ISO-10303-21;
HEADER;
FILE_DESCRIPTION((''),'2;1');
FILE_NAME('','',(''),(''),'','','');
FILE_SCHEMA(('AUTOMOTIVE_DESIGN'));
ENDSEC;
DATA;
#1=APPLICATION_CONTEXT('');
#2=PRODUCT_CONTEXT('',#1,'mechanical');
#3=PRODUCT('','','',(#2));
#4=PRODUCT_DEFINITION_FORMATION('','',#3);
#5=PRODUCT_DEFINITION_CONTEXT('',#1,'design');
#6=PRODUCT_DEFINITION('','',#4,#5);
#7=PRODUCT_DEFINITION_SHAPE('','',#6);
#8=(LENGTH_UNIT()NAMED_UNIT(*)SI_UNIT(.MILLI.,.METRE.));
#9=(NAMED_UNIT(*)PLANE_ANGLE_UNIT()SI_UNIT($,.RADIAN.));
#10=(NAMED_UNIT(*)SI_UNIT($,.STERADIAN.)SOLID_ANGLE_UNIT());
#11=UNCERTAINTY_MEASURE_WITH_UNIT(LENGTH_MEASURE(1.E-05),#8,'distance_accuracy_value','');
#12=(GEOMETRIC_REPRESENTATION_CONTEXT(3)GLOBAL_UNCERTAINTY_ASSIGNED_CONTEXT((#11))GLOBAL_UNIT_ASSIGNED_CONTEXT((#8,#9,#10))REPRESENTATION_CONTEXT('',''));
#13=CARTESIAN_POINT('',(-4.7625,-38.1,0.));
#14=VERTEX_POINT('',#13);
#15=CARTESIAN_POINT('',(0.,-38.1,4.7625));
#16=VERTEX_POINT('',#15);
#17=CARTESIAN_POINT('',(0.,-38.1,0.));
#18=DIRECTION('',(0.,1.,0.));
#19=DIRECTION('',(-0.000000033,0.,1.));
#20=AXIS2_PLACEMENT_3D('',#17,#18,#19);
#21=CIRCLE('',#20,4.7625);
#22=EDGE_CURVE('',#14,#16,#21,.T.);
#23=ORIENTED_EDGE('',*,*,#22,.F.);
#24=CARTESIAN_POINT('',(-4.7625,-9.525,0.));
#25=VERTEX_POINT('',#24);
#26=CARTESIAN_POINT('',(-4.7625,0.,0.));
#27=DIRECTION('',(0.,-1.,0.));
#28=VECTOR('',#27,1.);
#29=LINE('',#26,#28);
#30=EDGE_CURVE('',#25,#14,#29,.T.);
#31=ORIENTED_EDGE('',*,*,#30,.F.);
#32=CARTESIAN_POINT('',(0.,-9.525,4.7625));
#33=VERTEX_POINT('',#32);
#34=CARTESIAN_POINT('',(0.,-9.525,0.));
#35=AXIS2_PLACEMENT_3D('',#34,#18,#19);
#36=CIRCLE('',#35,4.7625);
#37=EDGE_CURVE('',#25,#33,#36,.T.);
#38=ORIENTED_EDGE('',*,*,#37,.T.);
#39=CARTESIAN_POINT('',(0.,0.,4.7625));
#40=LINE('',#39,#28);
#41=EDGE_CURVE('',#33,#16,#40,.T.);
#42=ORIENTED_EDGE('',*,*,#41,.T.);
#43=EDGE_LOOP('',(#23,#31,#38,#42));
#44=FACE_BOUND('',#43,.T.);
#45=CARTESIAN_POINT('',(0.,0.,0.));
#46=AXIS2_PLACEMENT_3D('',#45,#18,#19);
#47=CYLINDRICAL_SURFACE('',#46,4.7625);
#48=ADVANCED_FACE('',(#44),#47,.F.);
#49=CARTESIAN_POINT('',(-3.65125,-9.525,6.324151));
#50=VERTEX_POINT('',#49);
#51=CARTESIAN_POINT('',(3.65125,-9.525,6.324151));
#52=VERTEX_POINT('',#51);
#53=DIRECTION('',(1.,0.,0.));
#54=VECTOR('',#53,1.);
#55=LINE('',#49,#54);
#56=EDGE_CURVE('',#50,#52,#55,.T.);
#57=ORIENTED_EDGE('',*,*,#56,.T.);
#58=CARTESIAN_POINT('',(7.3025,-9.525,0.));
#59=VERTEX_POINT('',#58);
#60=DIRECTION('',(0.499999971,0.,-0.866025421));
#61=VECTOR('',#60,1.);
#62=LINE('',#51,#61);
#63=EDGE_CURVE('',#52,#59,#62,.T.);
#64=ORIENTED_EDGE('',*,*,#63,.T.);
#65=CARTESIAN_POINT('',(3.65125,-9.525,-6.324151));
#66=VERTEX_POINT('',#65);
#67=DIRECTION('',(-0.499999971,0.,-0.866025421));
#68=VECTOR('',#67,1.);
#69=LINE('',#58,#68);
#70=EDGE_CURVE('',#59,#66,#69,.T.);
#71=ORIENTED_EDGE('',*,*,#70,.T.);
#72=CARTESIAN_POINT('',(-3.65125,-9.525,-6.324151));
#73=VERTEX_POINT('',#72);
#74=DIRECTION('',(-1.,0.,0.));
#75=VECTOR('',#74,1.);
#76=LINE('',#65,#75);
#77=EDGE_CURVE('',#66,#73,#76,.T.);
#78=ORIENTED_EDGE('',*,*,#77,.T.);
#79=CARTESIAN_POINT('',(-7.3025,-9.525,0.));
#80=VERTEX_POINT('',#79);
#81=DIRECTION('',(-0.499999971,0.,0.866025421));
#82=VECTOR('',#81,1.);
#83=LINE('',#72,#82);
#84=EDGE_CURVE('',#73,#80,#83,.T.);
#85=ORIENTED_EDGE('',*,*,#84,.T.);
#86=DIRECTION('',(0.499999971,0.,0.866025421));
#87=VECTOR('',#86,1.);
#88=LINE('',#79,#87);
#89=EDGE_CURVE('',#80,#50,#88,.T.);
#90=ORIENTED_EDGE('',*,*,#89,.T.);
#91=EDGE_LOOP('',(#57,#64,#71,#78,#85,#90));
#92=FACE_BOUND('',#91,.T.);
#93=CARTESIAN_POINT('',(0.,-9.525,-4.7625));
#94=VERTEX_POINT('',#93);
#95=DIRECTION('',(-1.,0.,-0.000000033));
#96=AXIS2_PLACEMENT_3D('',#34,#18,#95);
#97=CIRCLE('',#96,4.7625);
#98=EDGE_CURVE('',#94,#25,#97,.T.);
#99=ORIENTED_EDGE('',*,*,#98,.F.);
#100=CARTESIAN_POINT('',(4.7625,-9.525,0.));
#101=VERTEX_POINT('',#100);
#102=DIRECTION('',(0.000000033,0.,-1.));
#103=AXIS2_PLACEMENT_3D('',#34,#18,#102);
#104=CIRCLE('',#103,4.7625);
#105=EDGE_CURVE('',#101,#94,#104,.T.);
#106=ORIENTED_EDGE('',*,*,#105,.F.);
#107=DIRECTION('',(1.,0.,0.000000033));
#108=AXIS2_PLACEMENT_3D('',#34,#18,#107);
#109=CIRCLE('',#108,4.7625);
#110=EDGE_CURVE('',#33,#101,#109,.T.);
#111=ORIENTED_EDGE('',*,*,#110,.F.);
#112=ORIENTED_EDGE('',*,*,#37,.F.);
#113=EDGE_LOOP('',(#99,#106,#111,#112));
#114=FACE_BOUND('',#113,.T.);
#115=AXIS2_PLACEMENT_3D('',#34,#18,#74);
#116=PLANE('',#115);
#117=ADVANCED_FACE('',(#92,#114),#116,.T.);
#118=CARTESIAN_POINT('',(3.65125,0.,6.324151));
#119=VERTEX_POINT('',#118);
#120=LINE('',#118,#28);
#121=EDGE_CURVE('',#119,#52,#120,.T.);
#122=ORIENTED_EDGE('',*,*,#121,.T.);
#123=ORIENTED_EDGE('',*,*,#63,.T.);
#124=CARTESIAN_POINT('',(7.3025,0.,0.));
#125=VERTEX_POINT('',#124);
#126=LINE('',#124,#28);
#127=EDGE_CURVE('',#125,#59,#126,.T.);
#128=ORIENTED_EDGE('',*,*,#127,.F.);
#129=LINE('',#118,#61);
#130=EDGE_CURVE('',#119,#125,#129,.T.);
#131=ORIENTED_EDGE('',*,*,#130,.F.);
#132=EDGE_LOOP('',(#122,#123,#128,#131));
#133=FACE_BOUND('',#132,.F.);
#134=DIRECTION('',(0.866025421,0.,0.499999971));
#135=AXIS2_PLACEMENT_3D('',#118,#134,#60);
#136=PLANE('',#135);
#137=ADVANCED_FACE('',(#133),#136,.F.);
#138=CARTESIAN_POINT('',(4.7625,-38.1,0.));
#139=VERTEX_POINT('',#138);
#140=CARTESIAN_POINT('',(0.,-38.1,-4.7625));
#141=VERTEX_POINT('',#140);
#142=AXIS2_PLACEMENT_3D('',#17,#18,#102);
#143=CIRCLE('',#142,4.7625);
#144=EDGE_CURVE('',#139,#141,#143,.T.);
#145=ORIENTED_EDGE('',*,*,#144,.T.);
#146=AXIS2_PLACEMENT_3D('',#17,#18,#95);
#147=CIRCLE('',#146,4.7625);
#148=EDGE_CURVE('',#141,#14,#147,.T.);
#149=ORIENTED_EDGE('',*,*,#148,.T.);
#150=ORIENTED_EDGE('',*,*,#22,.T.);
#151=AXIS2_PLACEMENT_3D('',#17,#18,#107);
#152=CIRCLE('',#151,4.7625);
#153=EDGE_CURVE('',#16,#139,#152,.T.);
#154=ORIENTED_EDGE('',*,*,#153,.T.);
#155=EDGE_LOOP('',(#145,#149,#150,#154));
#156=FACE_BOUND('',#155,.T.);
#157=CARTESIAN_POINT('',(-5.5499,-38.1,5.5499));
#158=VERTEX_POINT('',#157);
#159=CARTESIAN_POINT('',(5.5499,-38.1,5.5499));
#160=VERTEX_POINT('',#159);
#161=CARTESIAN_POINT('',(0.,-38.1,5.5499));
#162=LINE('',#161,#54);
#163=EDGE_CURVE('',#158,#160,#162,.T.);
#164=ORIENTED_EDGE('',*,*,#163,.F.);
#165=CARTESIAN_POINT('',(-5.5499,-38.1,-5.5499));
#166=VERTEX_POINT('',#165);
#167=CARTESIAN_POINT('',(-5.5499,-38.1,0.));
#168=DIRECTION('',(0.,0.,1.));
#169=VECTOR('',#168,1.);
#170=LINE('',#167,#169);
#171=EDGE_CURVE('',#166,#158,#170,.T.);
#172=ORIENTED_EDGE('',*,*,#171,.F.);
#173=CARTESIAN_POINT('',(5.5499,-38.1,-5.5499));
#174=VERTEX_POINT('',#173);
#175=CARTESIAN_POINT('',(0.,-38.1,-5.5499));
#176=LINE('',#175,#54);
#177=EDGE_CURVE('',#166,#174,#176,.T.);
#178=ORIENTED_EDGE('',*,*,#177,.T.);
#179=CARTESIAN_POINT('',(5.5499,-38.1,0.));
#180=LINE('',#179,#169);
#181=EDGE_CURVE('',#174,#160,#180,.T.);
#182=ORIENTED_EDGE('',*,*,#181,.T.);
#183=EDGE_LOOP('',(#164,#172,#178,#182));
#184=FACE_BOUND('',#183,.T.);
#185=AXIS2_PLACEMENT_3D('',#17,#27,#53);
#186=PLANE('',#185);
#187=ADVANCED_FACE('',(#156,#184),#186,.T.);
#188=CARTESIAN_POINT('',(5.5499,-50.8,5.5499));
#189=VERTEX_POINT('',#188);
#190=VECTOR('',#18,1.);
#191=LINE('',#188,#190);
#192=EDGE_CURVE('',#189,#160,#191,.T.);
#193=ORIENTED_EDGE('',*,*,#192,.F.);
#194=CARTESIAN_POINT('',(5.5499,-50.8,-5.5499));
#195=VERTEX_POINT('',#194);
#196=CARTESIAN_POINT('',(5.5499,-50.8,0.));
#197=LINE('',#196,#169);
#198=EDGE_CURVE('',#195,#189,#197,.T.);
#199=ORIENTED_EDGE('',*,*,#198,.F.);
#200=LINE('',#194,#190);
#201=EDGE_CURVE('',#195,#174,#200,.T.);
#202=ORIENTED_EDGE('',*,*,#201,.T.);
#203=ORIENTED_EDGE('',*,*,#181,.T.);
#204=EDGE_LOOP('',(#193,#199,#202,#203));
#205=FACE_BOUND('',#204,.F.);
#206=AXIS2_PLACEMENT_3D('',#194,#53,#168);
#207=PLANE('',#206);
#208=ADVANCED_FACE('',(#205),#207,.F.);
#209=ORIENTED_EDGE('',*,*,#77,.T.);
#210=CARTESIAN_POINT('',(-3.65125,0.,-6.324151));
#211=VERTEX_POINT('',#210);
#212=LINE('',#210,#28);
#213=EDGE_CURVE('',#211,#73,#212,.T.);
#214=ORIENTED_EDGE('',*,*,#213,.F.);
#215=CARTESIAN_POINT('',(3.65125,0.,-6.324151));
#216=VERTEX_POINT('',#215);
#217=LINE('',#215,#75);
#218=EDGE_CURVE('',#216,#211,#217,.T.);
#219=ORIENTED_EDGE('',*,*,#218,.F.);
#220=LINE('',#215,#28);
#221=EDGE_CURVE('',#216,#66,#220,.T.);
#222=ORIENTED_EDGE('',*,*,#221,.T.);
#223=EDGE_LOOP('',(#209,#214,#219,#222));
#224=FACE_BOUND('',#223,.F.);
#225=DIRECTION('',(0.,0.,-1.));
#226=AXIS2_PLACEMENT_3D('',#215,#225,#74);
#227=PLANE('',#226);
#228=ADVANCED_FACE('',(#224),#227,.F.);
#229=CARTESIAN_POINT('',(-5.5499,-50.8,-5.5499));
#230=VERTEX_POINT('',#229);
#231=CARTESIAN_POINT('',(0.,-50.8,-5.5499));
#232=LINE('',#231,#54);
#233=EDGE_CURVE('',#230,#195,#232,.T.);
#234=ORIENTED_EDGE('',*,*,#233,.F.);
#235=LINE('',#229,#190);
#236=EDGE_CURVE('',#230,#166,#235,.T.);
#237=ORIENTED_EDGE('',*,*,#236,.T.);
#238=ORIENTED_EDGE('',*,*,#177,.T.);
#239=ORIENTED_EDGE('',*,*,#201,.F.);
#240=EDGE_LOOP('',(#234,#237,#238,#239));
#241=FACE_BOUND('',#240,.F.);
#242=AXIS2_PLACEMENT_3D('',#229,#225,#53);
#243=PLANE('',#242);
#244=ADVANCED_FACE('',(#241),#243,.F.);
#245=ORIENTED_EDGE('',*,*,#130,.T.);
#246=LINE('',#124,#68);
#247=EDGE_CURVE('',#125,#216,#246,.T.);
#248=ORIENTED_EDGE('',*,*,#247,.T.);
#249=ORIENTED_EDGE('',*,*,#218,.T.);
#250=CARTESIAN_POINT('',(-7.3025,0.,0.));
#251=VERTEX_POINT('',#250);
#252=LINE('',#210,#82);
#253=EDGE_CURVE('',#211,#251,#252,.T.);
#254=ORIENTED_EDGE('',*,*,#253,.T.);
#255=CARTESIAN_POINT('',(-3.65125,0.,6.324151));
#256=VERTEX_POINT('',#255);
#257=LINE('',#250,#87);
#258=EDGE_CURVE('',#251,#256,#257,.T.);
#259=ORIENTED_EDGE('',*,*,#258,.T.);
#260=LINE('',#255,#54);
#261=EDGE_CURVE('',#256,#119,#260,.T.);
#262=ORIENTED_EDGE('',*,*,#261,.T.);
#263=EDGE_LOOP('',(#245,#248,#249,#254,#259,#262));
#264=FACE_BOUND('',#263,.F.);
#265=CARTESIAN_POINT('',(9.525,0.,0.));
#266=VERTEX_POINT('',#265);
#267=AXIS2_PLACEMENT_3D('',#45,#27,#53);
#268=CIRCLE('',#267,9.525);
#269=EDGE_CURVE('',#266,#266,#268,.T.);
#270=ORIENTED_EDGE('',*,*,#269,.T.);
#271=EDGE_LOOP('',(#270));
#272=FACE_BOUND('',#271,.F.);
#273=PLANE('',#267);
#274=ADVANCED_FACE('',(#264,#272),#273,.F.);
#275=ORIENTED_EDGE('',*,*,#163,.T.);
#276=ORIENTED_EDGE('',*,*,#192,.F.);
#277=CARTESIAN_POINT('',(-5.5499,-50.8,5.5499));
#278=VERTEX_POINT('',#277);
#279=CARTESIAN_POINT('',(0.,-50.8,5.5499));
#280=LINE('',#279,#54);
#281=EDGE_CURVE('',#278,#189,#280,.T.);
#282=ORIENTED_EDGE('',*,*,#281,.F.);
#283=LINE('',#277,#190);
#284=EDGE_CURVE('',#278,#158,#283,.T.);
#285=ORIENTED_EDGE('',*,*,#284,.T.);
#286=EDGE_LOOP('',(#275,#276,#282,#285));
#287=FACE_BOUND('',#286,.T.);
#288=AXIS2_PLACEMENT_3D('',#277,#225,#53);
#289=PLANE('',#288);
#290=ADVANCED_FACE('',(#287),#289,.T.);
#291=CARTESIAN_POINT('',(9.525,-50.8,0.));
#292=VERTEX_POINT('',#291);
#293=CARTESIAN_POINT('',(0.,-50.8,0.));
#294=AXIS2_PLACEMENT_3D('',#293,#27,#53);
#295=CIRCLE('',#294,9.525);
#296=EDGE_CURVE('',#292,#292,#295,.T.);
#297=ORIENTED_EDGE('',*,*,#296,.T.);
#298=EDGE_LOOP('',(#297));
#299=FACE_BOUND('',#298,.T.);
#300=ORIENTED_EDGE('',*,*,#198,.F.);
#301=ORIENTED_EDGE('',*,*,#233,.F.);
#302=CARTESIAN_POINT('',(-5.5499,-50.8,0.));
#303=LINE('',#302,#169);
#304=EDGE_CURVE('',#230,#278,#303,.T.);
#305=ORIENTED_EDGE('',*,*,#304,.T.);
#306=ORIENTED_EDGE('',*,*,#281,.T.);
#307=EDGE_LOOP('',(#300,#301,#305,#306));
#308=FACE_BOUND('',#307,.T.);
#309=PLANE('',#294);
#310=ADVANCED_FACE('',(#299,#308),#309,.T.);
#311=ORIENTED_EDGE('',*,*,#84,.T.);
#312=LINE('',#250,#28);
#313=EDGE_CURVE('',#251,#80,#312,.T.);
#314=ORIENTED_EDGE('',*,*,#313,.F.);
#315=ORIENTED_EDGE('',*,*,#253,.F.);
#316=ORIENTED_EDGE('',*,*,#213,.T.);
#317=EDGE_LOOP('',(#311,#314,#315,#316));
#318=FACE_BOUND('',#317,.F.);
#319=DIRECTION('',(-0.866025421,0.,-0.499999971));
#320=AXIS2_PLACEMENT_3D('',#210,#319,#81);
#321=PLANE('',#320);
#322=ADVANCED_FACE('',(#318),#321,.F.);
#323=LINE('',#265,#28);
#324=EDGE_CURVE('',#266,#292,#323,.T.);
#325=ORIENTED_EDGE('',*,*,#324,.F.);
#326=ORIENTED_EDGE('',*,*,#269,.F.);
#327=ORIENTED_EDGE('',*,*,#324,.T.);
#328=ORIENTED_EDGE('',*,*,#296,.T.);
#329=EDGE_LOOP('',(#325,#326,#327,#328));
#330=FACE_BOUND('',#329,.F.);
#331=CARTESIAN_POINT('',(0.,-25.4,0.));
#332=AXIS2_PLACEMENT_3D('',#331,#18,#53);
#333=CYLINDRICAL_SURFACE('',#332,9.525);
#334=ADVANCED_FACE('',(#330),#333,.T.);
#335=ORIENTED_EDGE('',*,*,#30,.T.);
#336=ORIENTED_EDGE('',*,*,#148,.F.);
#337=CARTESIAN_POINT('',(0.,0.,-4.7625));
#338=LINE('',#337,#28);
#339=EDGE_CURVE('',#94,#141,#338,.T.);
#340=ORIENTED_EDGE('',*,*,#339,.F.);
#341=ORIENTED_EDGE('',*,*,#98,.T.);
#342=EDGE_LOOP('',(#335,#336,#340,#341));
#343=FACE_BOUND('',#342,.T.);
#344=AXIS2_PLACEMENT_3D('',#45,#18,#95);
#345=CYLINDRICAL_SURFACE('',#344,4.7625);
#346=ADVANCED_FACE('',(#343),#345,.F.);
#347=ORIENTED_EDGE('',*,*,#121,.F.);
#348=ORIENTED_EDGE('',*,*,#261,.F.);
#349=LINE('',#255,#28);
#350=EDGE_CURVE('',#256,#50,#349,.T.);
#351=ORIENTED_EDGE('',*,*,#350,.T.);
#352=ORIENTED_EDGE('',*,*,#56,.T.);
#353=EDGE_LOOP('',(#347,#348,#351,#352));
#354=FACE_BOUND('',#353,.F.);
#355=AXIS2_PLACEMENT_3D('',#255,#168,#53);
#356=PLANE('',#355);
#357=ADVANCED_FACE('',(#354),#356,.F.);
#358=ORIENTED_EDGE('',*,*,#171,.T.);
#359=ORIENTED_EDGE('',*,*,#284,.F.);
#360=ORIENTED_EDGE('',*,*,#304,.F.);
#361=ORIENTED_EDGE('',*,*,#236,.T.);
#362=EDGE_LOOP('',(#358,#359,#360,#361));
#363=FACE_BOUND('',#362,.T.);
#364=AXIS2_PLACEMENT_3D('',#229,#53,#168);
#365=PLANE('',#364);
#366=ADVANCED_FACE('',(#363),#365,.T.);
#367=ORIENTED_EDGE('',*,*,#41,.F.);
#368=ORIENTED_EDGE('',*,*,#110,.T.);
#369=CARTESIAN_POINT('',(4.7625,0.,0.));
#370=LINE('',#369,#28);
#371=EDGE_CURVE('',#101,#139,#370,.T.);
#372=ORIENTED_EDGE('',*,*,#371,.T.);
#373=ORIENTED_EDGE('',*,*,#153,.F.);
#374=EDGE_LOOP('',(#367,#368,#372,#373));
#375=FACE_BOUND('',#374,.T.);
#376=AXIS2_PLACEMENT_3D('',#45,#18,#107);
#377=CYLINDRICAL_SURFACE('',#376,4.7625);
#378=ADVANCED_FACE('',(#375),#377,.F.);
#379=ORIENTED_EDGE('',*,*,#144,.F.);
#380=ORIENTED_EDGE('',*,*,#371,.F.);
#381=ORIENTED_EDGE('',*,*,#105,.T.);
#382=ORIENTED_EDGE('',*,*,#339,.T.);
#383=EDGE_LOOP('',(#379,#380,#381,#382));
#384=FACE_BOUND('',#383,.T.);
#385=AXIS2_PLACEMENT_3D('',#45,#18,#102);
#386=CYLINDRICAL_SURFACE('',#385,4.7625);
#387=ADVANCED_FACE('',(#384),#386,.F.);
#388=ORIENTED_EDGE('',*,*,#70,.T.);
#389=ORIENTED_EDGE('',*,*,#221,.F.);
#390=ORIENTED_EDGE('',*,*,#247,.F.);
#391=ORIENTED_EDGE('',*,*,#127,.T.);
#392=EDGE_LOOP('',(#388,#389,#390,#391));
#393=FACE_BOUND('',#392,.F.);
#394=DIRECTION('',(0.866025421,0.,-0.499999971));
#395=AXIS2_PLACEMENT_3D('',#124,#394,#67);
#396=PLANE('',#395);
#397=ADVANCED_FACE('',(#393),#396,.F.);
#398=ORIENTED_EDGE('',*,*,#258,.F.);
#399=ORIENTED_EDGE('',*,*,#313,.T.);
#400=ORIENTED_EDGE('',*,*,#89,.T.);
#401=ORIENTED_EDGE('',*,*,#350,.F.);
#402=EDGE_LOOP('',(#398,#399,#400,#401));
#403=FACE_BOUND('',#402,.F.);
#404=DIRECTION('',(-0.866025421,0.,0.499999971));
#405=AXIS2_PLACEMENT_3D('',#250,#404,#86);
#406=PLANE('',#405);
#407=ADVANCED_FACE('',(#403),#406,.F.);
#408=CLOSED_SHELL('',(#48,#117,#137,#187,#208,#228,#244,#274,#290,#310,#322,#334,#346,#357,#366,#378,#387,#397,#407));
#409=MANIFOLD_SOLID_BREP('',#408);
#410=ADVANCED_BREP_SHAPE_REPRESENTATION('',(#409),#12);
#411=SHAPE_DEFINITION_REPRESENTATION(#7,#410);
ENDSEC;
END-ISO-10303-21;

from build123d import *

# Parameters (mm, degrees)
F0_R      = 9.525
F1_DEPTH  = 25.4
F1_FACE_R = 9.525
F2_DEPTH  = 25.4
F4_DEPTH  = 50.801
F6_DEPTH  = 9.525
F7_W      = 11.0998
F7_H      = 11.0998
F8_DEPTH  = 12.7


with BuildPart() as f1:
    # F0 (on Front) → F1 (new body)
    with BuildSketch(Plane.XZ):
        Circle(F0_R)
    extrude(amount=F1_DEPTH)

    # F1_face (on face) → F2 (join)
    with BuildSketch(Plane.XZ.offset(25.4)):
        Circle(F1_FACE_R)
    extrude(amount=F2_DEPTH)

    # F3 (on Front) → F4 (cut, through all)
    with BuildSketch(Plane.XZ):
        with BuildLine():
            ThreePointArc((4.7625, 0), (3.367596, 3.367596), (0, 4.7625))
            ThreePointArc((0, 4.7625), (-3.367596, 3.367596), (-4.7625, 0))
            ThreePointArc((-4.7625, 0), (-3.367596, -3.367596), (0, -4.7625))
            ThreePointArc((0, -4.7625), (3.367596, -3.367596), (4.7625, 0))
        make_face()
    extrude(amount=F4_DEPTH, mode=Mode.SUBTRACT)

    # F5 (on face) → F6 (cut)
    with BuildSketch(Plane(origin=(0, 0, 0), x_dir=(-1, 0, 0), z_dir=(0, 1, 0))):
        Polygon((3.65125, 6.324151), (-3.65125, 6.324151), (-7.3025, 0), (-3.65125, -6.324151), (3.65125, -6.324151), (7.3025, 0), align=None)
    extrude(amount=-F6_DEPTH, mode=Mode.SUBTRACT)

    # F7 (on face) → F8 (cut)
    with BuildSketch(Plane.XZ.offset(50.8)):
        Rectangle(F7_W, F7_H)
    extrude(amount=-F8_DEPTH, mode=Mode.SUBTRACT)


solid = f1.part
